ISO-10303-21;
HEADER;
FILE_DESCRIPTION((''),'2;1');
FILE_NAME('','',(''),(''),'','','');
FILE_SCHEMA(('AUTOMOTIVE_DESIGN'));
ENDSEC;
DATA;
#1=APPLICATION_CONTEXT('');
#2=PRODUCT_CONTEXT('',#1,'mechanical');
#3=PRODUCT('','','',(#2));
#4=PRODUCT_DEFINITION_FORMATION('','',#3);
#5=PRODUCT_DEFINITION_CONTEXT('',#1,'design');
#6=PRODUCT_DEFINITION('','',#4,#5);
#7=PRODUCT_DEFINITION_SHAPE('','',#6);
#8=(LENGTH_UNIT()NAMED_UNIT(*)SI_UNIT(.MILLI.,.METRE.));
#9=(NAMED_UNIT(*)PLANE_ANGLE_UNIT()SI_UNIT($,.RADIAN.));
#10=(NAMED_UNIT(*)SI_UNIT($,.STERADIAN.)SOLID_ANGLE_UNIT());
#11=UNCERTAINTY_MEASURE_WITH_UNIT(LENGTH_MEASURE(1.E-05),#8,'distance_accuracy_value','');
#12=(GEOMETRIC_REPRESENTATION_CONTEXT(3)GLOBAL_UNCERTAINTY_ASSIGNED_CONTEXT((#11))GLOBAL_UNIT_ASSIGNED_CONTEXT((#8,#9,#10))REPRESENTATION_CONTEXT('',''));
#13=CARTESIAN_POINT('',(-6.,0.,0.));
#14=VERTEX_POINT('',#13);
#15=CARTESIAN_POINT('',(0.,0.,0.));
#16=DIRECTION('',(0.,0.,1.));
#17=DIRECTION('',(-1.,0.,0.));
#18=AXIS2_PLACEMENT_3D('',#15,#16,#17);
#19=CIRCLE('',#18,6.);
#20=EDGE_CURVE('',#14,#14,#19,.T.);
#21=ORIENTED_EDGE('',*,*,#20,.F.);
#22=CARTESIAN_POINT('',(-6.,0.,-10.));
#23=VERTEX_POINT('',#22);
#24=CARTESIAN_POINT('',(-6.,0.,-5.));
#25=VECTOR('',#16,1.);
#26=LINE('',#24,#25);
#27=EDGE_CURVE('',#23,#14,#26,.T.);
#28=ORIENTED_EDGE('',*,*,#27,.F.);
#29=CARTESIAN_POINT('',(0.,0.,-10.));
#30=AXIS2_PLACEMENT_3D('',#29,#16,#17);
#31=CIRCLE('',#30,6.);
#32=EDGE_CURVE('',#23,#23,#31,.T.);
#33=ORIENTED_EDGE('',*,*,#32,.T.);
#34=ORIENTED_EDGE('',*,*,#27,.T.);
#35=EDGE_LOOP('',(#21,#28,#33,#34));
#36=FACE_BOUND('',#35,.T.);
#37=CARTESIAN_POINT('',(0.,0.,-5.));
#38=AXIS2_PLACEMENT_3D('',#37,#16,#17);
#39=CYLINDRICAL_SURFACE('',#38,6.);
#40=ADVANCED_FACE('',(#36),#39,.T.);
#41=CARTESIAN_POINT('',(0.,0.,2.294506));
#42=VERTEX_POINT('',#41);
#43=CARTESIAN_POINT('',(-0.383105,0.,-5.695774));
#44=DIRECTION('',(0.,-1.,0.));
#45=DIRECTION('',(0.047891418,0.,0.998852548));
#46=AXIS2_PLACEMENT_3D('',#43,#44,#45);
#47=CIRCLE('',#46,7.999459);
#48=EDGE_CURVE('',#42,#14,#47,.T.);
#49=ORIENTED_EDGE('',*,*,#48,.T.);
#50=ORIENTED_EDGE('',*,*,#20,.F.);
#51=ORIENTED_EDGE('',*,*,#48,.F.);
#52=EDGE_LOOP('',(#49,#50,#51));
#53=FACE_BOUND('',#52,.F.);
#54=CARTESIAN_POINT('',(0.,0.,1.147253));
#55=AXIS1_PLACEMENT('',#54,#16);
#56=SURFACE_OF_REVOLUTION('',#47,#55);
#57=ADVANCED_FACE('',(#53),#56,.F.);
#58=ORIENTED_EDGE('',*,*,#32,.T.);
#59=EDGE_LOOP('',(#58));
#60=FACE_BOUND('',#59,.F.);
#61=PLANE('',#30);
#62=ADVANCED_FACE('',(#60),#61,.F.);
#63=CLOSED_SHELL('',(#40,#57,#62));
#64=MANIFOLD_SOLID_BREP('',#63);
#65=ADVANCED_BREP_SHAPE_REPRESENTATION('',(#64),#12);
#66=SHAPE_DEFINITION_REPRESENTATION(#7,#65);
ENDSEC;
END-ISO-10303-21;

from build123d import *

# Parameters (mm, degrees)
F2_W = 6
F2_H = 10


with BuildPart() as f1:
    # F0 (on Front) → F1 (revolve)
    with BuildSketch(Plane.XZ):
        with BuildLine():
            Line((-6, 0), (0, 0))
            Line((0, 0), (0, 2.294506))
            ThreePointArc((0, 2.294506), (-3.240434, 1.775974), (-6, 0))
        make_face()
    revolve(axis=Axis((0, 0, 1.147253), (0, 0, 1)))

    # F2 (on Front) → F3 (revolve)
    with BuildSketch(Plane.XZ):
        with Locations((-3, -5)):
            Rectangle(F2_W, F2_H)
    revolve(axis=Axis((0, 0, -5), (0, 0, 1)))


solid = f1.part
